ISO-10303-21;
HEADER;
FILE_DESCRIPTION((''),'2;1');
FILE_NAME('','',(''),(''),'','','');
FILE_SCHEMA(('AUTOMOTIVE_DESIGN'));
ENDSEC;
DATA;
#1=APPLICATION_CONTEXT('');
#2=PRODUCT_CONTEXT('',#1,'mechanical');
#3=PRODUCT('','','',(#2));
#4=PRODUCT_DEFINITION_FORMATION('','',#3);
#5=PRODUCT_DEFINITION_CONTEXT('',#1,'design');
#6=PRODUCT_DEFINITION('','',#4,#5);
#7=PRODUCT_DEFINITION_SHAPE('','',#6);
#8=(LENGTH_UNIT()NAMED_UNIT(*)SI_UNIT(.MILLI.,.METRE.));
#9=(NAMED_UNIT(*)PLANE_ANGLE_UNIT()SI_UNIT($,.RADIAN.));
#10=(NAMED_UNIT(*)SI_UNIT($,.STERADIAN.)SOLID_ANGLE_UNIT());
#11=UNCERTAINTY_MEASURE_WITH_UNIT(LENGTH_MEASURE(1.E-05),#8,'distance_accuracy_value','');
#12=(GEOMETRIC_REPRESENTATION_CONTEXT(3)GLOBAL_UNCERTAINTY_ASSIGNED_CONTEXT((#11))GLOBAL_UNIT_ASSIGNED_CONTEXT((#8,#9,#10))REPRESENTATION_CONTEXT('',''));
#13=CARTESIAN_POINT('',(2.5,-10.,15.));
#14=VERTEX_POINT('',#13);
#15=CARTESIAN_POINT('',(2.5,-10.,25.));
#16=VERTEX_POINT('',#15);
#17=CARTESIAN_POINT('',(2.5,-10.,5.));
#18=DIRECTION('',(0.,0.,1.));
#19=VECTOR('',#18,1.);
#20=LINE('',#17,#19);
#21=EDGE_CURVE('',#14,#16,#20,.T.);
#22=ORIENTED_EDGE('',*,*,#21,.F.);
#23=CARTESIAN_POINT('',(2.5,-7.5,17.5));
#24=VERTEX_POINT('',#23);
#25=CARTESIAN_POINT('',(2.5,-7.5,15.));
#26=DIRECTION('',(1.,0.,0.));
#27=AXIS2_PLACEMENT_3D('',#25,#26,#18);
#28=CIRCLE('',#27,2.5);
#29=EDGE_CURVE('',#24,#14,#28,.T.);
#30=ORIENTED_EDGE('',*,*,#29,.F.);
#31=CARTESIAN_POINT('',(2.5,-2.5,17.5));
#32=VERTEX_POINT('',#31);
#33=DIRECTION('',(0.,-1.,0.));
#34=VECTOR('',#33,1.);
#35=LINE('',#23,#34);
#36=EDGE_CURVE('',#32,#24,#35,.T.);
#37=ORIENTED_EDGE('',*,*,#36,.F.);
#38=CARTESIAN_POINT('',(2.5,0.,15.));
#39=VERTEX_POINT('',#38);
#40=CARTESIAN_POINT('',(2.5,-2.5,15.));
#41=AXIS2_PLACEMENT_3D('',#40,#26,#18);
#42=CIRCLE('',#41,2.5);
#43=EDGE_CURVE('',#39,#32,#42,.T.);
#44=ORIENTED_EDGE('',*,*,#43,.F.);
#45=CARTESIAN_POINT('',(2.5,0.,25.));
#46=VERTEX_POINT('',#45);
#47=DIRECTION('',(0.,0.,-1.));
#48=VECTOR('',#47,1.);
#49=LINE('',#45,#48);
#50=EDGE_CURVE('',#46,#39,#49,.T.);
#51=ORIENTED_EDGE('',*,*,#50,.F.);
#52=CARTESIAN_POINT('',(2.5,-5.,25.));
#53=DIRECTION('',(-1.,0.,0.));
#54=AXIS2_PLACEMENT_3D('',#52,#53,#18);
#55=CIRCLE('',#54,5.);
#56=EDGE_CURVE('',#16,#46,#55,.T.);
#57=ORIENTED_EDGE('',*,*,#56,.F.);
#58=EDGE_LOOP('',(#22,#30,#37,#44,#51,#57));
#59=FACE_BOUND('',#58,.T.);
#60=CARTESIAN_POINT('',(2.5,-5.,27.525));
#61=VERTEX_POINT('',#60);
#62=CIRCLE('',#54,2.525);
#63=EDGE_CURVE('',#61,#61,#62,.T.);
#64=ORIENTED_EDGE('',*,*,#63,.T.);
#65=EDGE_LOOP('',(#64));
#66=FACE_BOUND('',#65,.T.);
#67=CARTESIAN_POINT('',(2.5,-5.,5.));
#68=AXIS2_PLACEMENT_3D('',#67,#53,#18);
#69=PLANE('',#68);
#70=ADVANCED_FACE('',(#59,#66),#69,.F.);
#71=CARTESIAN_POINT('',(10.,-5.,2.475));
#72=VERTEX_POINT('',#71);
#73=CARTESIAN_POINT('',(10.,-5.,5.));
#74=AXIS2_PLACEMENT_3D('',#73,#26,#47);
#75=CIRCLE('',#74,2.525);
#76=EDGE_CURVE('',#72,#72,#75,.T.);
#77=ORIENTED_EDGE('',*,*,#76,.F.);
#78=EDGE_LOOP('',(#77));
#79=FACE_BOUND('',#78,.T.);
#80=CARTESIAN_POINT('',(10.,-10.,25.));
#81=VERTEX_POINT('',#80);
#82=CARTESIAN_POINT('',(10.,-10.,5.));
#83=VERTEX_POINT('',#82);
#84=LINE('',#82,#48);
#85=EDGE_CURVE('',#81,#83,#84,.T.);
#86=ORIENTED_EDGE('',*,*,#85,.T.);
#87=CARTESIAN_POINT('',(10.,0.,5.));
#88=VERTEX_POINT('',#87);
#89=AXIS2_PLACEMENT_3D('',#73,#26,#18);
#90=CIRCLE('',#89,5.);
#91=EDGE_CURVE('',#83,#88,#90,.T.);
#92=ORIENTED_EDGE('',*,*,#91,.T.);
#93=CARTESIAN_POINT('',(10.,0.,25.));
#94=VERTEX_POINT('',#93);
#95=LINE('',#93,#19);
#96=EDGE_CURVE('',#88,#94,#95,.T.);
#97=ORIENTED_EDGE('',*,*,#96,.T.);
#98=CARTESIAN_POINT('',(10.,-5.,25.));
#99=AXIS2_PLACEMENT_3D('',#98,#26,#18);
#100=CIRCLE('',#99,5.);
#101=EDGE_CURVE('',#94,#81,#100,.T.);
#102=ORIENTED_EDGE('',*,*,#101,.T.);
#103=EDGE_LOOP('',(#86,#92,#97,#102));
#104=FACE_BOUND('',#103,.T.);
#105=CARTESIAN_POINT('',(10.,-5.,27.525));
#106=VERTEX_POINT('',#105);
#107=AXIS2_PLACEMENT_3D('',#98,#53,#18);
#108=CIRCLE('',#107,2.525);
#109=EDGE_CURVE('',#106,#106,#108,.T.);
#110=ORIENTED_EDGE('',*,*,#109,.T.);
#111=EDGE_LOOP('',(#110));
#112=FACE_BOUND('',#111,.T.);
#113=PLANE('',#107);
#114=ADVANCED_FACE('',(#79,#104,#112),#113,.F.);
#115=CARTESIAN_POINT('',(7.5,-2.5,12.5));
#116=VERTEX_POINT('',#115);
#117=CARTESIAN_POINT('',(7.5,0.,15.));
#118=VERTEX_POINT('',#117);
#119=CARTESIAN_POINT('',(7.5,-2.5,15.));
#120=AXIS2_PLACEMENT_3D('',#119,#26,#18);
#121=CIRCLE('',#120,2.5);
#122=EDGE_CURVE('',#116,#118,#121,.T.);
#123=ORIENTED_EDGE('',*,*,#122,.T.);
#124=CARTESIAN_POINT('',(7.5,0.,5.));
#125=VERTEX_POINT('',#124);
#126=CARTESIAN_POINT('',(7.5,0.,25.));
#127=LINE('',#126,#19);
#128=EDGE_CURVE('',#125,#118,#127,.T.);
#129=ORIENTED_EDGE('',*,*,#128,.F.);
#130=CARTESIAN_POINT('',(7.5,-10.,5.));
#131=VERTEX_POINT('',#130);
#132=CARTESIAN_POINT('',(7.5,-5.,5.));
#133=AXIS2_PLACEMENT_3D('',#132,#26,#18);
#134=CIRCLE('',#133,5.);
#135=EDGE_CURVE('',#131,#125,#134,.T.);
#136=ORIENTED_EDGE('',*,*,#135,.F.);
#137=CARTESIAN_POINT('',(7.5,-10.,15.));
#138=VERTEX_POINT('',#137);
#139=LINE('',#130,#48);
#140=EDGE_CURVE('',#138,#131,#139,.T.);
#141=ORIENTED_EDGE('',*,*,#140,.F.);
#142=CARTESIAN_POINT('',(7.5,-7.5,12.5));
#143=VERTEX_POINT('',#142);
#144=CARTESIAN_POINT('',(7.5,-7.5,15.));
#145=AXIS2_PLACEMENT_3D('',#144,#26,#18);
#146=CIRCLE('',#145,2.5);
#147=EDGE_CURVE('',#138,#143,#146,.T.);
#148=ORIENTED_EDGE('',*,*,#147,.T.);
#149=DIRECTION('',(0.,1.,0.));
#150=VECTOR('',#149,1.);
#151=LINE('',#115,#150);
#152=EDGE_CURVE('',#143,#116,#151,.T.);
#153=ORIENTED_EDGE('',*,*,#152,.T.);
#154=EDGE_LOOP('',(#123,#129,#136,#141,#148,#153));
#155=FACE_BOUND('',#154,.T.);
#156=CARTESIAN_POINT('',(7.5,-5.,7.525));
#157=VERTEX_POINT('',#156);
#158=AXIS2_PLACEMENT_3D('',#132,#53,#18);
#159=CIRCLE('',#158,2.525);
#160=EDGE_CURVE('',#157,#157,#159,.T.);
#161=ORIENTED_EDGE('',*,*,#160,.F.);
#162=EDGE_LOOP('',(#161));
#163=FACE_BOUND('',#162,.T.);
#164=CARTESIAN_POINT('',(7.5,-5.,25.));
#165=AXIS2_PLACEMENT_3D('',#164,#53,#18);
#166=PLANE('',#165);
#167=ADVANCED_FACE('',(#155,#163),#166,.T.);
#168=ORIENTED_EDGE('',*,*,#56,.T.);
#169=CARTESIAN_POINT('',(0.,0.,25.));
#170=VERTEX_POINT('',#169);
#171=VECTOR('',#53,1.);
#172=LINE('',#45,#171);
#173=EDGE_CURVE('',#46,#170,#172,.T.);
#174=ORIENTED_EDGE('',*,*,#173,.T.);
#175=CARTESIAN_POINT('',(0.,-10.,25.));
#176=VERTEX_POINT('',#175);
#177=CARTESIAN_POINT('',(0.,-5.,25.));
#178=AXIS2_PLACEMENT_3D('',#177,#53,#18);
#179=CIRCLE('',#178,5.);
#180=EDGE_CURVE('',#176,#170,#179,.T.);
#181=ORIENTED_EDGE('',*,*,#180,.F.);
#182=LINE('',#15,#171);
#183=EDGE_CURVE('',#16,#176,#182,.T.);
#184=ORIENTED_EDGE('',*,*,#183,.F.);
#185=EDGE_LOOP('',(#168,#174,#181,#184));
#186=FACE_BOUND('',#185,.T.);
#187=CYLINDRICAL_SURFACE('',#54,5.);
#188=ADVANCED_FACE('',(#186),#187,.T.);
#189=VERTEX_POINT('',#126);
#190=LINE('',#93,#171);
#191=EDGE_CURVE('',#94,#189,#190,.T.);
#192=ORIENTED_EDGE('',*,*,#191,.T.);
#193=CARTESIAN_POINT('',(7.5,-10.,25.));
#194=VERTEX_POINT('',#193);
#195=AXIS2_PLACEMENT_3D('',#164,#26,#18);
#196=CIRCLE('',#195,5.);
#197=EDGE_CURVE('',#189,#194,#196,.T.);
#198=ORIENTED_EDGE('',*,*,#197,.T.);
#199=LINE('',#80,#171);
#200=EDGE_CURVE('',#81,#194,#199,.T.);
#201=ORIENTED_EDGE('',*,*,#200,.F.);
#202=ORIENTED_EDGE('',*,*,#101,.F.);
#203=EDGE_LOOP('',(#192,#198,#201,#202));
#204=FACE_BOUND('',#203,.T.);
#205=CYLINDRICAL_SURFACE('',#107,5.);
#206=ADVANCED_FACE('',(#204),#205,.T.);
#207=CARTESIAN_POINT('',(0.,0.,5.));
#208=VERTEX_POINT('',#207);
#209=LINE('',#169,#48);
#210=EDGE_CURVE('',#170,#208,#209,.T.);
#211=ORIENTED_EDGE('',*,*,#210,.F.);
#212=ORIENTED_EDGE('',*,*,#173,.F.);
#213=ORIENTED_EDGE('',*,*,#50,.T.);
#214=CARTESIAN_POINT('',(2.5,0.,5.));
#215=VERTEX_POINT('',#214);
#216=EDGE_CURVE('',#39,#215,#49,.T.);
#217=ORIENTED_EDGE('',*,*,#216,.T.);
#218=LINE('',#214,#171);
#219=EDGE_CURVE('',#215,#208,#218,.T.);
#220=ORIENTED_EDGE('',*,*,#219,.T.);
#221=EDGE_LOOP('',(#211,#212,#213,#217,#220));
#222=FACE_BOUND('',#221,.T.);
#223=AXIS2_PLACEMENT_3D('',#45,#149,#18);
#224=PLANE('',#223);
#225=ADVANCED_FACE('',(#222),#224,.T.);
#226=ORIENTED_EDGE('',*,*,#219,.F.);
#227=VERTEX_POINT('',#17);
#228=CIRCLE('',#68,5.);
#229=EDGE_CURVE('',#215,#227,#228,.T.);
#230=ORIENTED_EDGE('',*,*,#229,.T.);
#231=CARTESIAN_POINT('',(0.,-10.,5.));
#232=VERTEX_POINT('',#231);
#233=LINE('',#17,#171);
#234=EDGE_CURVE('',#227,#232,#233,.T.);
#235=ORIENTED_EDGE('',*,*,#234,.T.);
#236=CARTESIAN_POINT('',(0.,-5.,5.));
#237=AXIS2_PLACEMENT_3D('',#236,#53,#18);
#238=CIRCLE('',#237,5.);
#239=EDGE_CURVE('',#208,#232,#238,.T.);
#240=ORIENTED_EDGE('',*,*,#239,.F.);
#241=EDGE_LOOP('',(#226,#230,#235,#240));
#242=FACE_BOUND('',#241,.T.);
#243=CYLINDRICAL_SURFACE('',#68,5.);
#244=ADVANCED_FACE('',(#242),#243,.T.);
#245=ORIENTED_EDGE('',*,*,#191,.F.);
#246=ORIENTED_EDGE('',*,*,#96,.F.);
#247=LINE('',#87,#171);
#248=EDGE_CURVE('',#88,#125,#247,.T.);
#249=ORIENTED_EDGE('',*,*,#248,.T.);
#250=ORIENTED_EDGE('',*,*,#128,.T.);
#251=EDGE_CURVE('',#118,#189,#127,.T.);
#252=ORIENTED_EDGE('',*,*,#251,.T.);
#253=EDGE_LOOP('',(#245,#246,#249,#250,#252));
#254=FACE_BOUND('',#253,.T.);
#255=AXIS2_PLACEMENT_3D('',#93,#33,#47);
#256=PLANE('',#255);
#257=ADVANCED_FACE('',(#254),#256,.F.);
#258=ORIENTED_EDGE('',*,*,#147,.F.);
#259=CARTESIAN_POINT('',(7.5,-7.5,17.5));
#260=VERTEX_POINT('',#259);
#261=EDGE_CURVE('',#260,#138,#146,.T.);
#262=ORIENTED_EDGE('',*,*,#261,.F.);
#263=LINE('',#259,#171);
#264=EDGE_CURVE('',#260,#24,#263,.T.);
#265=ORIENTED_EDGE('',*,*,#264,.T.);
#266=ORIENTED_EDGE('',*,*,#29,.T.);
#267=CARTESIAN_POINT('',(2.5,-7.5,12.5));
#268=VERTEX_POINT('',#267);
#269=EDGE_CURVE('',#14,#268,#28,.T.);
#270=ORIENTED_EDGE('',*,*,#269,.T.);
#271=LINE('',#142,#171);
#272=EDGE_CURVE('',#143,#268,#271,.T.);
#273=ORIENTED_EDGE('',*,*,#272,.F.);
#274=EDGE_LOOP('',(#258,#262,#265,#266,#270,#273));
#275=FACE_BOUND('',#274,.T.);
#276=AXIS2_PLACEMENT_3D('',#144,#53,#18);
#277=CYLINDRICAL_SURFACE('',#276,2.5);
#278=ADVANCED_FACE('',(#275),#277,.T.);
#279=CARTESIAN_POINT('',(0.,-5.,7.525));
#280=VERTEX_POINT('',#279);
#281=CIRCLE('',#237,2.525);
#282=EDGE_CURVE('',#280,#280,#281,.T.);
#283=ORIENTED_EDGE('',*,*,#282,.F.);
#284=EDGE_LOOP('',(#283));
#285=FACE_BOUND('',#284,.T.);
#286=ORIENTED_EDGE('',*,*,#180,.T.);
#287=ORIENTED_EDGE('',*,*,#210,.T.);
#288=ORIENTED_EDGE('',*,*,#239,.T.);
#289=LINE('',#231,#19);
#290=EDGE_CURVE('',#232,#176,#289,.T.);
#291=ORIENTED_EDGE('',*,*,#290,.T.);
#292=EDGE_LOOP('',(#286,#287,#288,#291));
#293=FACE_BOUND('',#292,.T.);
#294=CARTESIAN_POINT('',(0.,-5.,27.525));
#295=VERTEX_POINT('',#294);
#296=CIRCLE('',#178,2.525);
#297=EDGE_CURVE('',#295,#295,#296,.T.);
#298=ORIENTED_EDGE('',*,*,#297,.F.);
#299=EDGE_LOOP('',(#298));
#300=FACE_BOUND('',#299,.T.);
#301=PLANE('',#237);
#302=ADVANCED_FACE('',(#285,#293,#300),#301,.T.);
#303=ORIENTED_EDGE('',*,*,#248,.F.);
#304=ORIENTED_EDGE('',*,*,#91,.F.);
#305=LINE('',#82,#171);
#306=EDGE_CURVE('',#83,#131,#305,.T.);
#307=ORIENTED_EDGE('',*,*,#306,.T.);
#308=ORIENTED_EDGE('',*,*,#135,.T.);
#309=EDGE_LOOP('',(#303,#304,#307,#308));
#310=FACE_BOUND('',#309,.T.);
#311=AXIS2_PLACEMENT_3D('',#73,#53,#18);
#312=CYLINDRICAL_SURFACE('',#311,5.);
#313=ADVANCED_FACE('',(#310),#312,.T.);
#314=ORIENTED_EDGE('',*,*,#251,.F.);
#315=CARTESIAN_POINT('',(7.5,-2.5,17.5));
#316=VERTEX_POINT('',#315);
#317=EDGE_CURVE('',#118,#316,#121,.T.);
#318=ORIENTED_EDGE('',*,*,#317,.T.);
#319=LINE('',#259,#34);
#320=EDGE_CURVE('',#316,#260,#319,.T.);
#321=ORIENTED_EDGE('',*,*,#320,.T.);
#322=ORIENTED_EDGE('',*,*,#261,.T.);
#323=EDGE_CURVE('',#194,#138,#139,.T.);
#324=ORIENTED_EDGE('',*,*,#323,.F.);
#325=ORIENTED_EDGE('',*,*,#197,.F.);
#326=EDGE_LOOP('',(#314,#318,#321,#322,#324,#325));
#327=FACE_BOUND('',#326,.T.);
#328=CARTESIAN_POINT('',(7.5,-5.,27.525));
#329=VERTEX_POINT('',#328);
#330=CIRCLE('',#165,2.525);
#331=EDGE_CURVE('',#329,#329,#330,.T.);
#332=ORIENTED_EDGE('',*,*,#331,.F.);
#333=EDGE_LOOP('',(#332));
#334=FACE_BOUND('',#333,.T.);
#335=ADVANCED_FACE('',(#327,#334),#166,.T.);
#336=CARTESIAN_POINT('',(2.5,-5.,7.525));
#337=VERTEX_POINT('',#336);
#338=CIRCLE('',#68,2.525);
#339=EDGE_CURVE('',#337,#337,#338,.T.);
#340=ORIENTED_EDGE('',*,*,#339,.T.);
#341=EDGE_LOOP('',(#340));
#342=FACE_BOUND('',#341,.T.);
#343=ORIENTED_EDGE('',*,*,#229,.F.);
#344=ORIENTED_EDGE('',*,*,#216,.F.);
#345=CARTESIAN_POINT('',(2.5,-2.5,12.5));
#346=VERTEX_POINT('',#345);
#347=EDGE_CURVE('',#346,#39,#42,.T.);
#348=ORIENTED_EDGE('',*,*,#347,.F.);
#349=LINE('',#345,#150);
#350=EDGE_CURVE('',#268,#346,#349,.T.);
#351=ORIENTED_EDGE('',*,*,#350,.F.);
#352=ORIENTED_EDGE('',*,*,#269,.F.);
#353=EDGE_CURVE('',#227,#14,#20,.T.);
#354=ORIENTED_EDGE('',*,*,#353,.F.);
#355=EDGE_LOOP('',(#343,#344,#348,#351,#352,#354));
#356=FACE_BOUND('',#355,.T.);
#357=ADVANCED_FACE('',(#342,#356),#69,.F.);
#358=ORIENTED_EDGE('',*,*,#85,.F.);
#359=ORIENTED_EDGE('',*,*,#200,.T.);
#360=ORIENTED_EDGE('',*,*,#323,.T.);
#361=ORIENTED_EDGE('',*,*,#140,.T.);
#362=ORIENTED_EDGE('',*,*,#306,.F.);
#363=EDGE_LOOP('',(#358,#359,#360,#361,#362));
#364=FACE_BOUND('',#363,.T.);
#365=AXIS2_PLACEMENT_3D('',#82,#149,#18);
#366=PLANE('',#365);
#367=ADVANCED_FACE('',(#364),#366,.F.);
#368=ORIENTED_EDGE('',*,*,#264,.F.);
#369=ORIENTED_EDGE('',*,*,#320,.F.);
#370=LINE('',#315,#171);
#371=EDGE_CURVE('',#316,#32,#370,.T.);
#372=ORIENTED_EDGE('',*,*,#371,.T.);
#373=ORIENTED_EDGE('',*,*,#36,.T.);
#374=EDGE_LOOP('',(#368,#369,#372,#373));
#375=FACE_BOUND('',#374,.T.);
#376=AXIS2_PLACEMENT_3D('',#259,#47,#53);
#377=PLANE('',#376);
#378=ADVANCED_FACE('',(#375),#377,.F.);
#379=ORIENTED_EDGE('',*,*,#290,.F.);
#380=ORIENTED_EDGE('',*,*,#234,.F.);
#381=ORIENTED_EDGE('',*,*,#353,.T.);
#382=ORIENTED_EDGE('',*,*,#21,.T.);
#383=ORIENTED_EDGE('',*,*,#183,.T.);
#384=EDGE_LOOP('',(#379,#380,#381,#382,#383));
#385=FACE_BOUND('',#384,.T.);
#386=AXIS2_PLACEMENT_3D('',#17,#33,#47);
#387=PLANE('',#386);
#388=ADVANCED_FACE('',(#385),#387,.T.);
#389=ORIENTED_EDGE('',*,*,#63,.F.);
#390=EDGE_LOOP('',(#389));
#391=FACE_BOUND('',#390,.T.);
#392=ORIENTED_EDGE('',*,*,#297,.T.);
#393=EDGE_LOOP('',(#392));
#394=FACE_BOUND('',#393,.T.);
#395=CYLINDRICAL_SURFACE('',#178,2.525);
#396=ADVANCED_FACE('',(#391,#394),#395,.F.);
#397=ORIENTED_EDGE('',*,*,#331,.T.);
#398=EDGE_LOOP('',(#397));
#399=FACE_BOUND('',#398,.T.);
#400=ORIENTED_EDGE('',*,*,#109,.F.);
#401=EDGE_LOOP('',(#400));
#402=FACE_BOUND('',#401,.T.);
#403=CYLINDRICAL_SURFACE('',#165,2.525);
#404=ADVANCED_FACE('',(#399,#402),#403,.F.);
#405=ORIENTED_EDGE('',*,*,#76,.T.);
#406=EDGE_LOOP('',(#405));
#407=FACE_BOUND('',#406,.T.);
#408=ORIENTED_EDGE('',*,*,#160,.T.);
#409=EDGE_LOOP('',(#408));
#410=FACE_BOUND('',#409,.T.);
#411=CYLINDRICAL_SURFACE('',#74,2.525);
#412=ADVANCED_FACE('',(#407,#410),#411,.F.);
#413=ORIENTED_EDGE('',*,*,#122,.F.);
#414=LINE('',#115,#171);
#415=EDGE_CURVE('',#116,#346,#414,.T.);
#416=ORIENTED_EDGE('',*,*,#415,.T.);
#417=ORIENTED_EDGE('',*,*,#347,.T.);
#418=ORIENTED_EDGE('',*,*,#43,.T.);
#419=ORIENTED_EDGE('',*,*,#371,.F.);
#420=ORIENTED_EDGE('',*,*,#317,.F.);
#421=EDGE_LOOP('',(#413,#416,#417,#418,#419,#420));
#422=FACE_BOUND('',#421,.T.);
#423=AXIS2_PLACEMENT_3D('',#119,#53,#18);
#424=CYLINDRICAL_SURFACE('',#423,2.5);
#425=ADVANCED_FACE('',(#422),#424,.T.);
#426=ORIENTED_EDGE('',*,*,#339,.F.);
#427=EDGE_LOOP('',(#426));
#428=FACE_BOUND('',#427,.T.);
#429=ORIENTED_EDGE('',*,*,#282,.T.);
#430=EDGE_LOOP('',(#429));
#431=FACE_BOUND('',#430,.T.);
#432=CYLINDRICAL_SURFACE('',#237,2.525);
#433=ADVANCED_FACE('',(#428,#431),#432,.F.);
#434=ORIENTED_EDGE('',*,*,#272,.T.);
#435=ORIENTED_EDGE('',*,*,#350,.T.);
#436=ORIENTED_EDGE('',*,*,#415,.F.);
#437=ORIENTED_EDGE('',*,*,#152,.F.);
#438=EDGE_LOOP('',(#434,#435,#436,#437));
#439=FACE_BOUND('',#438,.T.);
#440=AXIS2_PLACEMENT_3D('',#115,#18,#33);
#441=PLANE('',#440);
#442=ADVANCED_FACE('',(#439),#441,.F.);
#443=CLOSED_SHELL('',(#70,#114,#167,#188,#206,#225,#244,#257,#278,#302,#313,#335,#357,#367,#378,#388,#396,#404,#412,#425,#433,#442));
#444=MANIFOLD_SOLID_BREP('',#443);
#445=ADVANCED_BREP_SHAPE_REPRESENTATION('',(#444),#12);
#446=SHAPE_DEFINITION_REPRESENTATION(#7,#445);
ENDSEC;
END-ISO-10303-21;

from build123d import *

# Parameters (mm, degrees)
BOSS_EXTRUDE1_DEPTH = 2.5
BOSS_EXTRUDE2_DEPTH = 5
BOSS_EXTRUDE3_DEPTH = 2.5
HOLE1_D             = 5.05
HOLE1_DEPTH         = 2.5
HOLE2_D             = 5.05
HOLE2_DEPTH         = 2.5
HOLE3_D             = 5.05
HOLE3_DEPTH         = 10


with BuildPart() as part:
    # Sketch1 → Boss-Extrude1 (new body)
    with BuildSketch(Plane(origin=(0, 0, 0), x_dir=(0, -1, 0), z_dir=(-1, 0, 0))):
        with BuildLine():
            Line((10, 5), (10, 25))
            ThreePointArc((10, 25), (5, 30), (0, 25))
            Line((0, 25), (0, 5))
            ThreePointArc((0, 5), (5, 0), (10, 5))
        make_face()
    extrude(amount=-BOSS_EXTRUDE1_DEPTH)

    # Sketch2 → Boss-Extrude2 (add)
    with BuildSketch(Plane(origin=(2.5, 0, 0), x_dir=(0, 0, -1), z_dir=(1, 0, 0))):
        with BuildLine():
            Line((-17.5, -7.5), (-17.5, -2.5))
            ThreePointArc((-17.5, -2.5), (-15, 0), (-12.5, -2.5))
            Line((-12.5, -2.5), (-12.5, -7.5))
            ThreePointArc((-12.5, -7.5), (-15, -10), (-17.5, -7.5))
        make_face()
    extrude(amount=BOSS_EXTRUDE2_DEPTH)

    # Sketch3 → Boss-Extrude3 (add)
    with BuildSketch(Plane(origin=(7.5, 0, 0), x_dir=(0, 0, -1), z_dir=(1, 0, 0))):
        with BuildLine():
            Line((-25, 0), (-5, 0))
            ThreePointArc((-5, 0), (0, -5), (-5, -10))
            Line((-5, -10), (-25, -10))
            ThreePointArc((-25, -10), (-30, -5), (-25, 0))
        make_face()
    extrude(amount=BOSS_EXTRUDE3_DEPTH)

    # Hole1
    with Locations(Plane(origin=(10, 0, 0), x_dir=(0, 0, -1), z_dir=(1, 0, 0))):
        with Locations((-5, -5)):
            Hole(HOLE1_D / 2, depth=HOLE1_DEPTH)

    # Hole2
    with Locations(Plane.ZY.offset(-7.5)):
        with Locations((25, -5)):
            Hole(HOLE2_D / 2, depth=HOLE2_DEPTH)

    # Hole3
    with Locations(Plane.ZY):
        with Locations((25, -5), (5, -5)):
            Hole(HOLE3_D / 2, depth=HOLE3_DEPTH)


solid = part.part
